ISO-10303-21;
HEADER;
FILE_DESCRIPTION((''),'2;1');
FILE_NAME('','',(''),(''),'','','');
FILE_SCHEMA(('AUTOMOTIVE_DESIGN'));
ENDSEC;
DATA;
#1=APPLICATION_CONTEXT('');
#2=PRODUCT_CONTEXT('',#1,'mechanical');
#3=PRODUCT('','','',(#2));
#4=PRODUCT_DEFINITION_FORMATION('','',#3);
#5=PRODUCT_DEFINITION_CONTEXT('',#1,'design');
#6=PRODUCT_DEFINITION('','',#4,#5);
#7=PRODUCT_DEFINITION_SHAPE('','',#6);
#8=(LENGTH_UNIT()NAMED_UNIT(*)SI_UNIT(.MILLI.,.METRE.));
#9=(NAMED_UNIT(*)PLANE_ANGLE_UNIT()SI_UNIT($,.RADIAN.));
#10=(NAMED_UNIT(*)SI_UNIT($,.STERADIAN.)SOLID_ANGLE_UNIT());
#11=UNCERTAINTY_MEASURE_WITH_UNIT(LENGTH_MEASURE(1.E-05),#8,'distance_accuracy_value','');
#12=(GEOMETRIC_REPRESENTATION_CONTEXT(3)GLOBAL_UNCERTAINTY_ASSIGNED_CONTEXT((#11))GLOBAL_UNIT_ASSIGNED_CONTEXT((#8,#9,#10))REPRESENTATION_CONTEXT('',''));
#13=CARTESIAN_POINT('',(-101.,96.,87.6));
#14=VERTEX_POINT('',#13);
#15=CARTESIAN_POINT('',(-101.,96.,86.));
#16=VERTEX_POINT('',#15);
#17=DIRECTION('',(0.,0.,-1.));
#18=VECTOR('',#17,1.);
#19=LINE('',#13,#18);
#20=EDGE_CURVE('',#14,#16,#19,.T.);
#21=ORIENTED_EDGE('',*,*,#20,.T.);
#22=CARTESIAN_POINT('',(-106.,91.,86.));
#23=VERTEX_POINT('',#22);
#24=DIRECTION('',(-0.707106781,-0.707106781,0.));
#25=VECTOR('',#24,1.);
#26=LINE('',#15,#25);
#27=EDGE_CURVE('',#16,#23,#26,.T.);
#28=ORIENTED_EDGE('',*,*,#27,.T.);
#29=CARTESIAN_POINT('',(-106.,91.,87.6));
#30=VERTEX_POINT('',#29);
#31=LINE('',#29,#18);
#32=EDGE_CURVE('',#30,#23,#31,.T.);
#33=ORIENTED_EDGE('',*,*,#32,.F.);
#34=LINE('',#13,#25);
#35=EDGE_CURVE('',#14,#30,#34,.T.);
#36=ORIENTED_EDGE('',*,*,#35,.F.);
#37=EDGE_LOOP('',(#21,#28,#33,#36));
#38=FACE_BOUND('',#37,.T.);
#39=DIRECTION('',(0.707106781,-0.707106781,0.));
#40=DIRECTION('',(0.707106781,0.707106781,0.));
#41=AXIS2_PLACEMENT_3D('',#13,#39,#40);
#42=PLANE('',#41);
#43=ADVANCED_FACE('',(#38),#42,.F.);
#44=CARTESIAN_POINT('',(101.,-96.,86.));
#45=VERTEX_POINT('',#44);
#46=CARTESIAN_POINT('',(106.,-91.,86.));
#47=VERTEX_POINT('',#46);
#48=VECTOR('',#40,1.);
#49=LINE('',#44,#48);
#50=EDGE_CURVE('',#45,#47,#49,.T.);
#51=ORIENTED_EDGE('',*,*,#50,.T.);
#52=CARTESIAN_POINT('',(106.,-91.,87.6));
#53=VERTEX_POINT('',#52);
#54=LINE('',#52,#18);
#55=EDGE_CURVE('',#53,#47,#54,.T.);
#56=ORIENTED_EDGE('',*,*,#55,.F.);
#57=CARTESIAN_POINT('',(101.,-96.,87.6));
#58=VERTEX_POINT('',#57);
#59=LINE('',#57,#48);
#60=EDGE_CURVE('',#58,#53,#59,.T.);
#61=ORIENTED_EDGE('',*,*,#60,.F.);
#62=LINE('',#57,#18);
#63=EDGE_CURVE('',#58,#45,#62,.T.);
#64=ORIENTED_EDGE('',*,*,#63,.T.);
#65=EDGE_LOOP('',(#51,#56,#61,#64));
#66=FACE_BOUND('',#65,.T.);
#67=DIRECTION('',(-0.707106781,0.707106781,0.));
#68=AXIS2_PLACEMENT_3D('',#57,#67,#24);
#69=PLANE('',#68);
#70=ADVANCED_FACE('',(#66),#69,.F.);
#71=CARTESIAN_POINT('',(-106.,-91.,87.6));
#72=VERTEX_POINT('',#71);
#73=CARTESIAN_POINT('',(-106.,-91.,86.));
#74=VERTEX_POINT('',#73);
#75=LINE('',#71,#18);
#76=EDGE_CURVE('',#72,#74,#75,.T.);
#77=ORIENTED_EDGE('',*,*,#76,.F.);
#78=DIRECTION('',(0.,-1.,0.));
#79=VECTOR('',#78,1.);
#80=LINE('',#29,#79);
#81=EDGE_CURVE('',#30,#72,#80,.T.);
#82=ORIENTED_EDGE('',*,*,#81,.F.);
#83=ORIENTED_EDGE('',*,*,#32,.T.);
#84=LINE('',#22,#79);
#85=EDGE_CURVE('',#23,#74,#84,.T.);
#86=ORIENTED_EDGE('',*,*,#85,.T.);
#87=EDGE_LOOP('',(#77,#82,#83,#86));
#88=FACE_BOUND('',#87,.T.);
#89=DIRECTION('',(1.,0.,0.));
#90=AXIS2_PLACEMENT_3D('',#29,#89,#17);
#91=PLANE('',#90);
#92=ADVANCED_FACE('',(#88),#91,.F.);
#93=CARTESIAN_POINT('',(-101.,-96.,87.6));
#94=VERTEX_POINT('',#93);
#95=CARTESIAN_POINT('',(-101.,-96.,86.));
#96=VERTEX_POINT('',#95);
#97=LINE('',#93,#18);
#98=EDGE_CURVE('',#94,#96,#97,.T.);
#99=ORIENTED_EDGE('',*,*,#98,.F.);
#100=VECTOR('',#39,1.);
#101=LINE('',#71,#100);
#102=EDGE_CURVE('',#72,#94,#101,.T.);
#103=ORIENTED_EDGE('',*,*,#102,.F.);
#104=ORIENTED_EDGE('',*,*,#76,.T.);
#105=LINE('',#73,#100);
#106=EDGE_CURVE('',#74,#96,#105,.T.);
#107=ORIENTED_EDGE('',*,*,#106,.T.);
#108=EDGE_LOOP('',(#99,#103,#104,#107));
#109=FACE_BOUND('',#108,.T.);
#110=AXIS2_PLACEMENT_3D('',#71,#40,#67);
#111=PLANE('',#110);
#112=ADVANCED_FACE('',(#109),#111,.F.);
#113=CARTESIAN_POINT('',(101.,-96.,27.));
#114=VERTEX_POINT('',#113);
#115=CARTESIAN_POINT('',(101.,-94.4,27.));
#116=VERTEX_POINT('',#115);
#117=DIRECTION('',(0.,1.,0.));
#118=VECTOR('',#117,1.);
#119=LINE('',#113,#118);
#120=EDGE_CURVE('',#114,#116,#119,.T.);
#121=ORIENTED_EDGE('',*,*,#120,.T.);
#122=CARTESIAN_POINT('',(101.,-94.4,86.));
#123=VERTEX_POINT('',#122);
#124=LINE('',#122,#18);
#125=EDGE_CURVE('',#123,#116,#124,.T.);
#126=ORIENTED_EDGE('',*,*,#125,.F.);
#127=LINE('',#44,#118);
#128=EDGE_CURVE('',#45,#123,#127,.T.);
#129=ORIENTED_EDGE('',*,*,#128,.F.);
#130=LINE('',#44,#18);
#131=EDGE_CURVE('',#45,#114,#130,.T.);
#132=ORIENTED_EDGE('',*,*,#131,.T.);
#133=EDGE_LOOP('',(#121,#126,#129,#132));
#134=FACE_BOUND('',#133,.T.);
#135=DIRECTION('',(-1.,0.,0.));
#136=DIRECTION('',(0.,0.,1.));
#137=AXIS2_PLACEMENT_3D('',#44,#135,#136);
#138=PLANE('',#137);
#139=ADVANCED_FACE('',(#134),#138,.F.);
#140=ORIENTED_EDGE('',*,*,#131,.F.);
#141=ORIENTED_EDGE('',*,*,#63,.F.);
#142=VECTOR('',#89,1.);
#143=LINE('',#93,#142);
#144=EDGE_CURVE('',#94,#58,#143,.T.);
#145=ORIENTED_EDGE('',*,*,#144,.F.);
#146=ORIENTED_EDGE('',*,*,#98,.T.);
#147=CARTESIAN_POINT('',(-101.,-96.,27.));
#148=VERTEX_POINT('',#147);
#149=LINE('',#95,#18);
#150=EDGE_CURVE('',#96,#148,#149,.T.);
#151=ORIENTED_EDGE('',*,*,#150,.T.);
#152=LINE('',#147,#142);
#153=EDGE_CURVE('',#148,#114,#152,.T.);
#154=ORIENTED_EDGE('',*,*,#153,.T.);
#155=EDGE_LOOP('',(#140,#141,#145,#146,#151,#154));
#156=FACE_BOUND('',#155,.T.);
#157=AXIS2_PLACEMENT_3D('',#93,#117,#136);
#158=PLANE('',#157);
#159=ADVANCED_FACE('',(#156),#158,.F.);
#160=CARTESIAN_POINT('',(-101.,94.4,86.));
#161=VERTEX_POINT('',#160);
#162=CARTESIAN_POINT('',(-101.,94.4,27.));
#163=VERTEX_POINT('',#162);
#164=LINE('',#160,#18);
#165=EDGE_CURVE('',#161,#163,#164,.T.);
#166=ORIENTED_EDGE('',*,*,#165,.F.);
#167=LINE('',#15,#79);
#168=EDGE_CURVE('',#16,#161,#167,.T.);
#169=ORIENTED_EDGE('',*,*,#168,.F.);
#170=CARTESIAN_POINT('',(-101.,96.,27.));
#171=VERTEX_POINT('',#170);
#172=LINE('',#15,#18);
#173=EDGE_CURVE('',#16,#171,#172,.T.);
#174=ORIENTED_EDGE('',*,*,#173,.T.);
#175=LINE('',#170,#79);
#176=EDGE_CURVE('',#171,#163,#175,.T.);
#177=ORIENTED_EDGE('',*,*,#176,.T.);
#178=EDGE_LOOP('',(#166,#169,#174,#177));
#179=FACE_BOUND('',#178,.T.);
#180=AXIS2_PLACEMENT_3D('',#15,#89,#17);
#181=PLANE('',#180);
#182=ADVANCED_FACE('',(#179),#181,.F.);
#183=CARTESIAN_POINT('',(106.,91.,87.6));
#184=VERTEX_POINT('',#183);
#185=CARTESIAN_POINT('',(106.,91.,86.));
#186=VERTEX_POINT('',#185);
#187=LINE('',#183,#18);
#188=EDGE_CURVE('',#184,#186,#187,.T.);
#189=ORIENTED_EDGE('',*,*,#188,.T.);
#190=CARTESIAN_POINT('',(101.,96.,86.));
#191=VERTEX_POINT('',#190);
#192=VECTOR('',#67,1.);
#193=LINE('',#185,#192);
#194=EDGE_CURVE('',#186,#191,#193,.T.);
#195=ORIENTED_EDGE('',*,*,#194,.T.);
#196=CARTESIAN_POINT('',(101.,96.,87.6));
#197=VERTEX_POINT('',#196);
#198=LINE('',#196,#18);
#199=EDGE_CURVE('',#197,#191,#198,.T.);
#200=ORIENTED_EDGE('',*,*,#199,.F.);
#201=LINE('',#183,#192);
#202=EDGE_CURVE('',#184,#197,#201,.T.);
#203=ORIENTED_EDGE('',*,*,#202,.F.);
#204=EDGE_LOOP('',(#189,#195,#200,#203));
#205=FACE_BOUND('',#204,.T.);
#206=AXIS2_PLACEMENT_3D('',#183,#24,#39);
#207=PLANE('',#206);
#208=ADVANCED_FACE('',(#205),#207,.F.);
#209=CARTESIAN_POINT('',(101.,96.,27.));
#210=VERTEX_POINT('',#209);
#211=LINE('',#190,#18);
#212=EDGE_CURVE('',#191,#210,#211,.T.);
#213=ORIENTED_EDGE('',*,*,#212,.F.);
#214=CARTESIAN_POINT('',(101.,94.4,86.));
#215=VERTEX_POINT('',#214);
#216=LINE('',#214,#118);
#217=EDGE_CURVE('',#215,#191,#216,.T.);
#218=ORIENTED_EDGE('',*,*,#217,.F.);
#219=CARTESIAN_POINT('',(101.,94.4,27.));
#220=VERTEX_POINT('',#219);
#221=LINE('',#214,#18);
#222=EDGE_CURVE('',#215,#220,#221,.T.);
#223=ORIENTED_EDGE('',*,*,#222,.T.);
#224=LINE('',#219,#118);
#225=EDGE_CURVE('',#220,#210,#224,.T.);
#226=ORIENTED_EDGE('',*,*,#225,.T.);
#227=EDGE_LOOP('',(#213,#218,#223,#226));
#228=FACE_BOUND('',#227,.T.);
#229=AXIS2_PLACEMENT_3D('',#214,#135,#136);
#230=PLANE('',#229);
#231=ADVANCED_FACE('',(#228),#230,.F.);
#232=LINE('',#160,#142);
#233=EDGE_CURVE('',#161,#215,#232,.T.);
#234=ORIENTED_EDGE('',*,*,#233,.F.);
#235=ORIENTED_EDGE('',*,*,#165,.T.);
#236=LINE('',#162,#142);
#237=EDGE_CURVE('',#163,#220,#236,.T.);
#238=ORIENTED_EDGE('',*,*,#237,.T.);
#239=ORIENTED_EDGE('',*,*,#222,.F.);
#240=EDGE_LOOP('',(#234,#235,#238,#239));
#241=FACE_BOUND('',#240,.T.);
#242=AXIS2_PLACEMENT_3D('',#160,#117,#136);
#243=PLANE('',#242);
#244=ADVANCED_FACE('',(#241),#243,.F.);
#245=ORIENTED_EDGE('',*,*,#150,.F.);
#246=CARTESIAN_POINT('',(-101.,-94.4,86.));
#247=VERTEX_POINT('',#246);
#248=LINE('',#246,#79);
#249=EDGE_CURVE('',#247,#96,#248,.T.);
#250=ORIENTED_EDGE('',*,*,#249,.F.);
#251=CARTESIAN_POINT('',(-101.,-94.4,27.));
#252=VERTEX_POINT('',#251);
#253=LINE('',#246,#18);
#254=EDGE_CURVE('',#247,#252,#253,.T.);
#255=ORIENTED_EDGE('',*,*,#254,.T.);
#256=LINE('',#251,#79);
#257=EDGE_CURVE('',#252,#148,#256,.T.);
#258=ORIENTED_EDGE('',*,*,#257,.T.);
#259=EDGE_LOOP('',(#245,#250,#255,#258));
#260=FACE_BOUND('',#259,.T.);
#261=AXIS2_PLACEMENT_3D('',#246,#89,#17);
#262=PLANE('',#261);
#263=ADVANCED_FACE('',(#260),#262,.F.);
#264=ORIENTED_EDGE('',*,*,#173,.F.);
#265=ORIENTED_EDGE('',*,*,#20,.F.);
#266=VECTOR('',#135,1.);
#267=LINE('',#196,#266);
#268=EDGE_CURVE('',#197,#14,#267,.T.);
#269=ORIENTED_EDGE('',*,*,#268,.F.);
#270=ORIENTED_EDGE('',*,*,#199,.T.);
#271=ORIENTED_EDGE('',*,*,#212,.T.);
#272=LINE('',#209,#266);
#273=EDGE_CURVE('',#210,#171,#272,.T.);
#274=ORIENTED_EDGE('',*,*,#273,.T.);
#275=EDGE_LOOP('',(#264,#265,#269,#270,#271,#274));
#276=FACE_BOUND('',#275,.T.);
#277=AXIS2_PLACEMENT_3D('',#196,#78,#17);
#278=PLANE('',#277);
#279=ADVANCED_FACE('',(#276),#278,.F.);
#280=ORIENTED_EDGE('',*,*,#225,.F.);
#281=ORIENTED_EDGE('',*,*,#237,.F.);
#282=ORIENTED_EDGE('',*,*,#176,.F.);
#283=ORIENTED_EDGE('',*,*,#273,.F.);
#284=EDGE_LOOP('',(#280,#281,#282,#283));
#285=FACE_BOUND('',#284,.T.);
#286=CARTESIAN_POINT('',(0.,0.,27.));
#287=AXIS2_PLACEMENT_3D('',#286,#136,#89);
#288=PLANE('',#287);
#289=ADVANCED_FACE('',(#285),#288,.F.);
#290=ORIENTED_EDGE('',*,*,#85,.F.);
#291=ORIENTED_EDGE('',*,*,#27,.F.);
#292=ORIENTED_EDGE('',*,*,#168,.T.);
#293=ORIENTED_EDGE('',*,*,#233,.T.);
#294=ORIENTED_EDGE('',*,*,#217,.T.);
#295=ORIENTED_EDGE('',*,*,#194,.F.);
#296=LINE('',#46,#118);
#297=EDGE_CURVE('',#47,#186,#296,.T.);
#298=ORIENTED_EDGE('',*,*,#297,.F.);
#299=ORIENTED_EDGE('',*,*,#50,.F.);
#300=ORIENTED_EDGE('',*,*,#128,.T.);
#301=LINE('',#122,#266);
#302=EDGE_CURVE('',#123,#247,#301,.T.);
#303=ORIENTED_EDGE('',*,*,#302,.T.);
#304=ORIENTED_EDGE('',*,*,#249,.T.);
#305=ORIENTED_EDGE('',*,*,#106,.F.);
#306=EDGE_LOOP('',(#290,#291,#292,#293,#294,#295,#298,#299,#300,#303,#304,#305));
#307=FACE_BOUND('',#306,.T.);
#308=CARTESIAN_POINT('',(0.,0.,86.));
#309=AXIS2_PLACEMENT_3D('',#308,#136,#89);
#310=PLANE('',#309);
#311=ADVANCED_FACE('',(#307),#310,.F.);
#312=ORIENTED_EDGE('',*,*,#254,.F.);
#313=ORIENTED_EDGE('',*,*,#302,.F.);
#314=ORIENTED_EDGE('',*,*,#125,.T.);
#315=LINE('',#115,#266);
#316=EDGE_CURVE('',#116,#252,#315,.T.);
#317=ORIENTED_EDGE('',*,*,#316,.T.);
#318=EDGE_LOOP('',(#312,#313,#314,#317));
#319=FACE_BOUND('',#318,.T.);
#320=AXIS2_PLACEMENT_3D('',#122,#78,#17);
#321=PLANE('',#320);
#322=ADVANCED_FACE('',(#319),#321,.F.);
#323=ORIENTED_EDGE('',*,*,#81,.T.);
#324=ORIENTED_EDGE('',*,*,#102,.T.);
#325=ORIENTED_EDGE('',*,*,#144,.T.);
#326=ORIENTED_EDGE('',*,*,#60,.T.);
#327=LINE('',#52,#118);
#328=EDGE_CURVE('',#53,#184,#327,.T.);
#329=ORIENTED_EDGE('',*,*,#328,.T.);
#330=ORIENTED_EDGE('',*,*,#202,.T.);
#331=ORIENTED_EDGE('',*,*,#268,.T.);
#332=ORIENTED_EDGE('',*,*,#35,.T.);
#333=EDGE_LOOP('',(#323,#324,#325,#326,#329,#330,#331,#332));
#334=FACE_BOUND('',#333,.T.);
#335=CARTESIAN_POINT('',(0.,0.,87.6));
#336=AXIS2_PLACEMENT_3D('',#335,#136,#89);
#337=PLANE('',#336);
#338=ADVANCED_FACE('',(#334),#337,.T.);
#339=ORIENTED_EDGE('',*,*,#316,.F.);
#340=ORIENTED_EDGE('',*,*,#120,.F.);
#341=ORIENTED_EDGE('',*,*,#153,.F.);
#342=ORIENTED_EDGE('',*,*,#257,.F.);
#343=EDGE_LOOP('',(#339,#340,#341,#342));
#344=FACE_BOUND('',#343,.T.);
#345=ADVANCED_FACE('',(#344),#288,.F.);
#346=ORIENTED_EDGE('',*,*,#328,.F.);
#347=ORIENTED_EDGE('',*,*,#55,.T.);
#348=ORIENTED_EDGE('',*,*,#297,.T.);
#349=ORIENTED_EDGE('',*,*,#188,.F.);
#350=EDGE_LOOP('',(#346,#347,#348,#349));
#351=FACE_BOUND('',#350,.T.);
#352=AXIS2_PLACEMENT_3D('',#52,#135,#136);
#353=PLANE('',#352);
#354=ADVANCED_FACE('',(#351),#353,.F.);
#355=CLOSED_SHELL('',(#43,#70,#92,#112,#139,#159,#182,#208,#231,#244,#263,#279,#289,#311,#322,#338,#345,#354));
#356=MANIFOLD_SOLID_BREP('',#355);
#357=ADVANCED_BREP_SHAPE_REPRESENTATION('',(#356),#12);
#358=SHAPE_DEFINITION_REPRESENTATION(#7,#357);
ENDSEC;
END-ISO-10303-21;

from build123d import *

# Parameters (mm, degrees)
F_5052_START                            = 86
F_5052_SHEET_TOP_PANEL_DEPTH            = 1.6
FOLDED_START                            = 27
SKETCH2_W                               = 202
SKETCH2_H                               = 1.6
FOLDED_SIDE_SKIRTS_WITH_OPEN_ENDS_DEPTH = 59


with BuildPart() as part:
    # Sketch1 → 5052 sheet top panel (new body)
    with BuildSketch(Plane.XY.offset(F_5052_START)):
        Polygon((-101, -96), (101, -96), (106, -91), (106, 91), (101, 96), (-101, 96), (-106, 91), (-106, -91), align=None)
    extrude(amount=F_5052_SHEET_TOP_PANEL_DEPTH)

    # Sketch2 → Folded side skirts with open ends (add)
    with BuildSketch(Plane.XY.offset(FOLDED_START)):
        with Locations((0, 95.2)):
            Rectangle(SKETCH2_W, SKETCH2_H)
        with Locations((0, -95.2)):
            Rectangle(SKETCH2_W, SKETCH2_H)
    extrude(amount=FOLDED_SIDE_SKIRTS_WITH_OPEN_ENDS_DEPTH)


solid = part.part
